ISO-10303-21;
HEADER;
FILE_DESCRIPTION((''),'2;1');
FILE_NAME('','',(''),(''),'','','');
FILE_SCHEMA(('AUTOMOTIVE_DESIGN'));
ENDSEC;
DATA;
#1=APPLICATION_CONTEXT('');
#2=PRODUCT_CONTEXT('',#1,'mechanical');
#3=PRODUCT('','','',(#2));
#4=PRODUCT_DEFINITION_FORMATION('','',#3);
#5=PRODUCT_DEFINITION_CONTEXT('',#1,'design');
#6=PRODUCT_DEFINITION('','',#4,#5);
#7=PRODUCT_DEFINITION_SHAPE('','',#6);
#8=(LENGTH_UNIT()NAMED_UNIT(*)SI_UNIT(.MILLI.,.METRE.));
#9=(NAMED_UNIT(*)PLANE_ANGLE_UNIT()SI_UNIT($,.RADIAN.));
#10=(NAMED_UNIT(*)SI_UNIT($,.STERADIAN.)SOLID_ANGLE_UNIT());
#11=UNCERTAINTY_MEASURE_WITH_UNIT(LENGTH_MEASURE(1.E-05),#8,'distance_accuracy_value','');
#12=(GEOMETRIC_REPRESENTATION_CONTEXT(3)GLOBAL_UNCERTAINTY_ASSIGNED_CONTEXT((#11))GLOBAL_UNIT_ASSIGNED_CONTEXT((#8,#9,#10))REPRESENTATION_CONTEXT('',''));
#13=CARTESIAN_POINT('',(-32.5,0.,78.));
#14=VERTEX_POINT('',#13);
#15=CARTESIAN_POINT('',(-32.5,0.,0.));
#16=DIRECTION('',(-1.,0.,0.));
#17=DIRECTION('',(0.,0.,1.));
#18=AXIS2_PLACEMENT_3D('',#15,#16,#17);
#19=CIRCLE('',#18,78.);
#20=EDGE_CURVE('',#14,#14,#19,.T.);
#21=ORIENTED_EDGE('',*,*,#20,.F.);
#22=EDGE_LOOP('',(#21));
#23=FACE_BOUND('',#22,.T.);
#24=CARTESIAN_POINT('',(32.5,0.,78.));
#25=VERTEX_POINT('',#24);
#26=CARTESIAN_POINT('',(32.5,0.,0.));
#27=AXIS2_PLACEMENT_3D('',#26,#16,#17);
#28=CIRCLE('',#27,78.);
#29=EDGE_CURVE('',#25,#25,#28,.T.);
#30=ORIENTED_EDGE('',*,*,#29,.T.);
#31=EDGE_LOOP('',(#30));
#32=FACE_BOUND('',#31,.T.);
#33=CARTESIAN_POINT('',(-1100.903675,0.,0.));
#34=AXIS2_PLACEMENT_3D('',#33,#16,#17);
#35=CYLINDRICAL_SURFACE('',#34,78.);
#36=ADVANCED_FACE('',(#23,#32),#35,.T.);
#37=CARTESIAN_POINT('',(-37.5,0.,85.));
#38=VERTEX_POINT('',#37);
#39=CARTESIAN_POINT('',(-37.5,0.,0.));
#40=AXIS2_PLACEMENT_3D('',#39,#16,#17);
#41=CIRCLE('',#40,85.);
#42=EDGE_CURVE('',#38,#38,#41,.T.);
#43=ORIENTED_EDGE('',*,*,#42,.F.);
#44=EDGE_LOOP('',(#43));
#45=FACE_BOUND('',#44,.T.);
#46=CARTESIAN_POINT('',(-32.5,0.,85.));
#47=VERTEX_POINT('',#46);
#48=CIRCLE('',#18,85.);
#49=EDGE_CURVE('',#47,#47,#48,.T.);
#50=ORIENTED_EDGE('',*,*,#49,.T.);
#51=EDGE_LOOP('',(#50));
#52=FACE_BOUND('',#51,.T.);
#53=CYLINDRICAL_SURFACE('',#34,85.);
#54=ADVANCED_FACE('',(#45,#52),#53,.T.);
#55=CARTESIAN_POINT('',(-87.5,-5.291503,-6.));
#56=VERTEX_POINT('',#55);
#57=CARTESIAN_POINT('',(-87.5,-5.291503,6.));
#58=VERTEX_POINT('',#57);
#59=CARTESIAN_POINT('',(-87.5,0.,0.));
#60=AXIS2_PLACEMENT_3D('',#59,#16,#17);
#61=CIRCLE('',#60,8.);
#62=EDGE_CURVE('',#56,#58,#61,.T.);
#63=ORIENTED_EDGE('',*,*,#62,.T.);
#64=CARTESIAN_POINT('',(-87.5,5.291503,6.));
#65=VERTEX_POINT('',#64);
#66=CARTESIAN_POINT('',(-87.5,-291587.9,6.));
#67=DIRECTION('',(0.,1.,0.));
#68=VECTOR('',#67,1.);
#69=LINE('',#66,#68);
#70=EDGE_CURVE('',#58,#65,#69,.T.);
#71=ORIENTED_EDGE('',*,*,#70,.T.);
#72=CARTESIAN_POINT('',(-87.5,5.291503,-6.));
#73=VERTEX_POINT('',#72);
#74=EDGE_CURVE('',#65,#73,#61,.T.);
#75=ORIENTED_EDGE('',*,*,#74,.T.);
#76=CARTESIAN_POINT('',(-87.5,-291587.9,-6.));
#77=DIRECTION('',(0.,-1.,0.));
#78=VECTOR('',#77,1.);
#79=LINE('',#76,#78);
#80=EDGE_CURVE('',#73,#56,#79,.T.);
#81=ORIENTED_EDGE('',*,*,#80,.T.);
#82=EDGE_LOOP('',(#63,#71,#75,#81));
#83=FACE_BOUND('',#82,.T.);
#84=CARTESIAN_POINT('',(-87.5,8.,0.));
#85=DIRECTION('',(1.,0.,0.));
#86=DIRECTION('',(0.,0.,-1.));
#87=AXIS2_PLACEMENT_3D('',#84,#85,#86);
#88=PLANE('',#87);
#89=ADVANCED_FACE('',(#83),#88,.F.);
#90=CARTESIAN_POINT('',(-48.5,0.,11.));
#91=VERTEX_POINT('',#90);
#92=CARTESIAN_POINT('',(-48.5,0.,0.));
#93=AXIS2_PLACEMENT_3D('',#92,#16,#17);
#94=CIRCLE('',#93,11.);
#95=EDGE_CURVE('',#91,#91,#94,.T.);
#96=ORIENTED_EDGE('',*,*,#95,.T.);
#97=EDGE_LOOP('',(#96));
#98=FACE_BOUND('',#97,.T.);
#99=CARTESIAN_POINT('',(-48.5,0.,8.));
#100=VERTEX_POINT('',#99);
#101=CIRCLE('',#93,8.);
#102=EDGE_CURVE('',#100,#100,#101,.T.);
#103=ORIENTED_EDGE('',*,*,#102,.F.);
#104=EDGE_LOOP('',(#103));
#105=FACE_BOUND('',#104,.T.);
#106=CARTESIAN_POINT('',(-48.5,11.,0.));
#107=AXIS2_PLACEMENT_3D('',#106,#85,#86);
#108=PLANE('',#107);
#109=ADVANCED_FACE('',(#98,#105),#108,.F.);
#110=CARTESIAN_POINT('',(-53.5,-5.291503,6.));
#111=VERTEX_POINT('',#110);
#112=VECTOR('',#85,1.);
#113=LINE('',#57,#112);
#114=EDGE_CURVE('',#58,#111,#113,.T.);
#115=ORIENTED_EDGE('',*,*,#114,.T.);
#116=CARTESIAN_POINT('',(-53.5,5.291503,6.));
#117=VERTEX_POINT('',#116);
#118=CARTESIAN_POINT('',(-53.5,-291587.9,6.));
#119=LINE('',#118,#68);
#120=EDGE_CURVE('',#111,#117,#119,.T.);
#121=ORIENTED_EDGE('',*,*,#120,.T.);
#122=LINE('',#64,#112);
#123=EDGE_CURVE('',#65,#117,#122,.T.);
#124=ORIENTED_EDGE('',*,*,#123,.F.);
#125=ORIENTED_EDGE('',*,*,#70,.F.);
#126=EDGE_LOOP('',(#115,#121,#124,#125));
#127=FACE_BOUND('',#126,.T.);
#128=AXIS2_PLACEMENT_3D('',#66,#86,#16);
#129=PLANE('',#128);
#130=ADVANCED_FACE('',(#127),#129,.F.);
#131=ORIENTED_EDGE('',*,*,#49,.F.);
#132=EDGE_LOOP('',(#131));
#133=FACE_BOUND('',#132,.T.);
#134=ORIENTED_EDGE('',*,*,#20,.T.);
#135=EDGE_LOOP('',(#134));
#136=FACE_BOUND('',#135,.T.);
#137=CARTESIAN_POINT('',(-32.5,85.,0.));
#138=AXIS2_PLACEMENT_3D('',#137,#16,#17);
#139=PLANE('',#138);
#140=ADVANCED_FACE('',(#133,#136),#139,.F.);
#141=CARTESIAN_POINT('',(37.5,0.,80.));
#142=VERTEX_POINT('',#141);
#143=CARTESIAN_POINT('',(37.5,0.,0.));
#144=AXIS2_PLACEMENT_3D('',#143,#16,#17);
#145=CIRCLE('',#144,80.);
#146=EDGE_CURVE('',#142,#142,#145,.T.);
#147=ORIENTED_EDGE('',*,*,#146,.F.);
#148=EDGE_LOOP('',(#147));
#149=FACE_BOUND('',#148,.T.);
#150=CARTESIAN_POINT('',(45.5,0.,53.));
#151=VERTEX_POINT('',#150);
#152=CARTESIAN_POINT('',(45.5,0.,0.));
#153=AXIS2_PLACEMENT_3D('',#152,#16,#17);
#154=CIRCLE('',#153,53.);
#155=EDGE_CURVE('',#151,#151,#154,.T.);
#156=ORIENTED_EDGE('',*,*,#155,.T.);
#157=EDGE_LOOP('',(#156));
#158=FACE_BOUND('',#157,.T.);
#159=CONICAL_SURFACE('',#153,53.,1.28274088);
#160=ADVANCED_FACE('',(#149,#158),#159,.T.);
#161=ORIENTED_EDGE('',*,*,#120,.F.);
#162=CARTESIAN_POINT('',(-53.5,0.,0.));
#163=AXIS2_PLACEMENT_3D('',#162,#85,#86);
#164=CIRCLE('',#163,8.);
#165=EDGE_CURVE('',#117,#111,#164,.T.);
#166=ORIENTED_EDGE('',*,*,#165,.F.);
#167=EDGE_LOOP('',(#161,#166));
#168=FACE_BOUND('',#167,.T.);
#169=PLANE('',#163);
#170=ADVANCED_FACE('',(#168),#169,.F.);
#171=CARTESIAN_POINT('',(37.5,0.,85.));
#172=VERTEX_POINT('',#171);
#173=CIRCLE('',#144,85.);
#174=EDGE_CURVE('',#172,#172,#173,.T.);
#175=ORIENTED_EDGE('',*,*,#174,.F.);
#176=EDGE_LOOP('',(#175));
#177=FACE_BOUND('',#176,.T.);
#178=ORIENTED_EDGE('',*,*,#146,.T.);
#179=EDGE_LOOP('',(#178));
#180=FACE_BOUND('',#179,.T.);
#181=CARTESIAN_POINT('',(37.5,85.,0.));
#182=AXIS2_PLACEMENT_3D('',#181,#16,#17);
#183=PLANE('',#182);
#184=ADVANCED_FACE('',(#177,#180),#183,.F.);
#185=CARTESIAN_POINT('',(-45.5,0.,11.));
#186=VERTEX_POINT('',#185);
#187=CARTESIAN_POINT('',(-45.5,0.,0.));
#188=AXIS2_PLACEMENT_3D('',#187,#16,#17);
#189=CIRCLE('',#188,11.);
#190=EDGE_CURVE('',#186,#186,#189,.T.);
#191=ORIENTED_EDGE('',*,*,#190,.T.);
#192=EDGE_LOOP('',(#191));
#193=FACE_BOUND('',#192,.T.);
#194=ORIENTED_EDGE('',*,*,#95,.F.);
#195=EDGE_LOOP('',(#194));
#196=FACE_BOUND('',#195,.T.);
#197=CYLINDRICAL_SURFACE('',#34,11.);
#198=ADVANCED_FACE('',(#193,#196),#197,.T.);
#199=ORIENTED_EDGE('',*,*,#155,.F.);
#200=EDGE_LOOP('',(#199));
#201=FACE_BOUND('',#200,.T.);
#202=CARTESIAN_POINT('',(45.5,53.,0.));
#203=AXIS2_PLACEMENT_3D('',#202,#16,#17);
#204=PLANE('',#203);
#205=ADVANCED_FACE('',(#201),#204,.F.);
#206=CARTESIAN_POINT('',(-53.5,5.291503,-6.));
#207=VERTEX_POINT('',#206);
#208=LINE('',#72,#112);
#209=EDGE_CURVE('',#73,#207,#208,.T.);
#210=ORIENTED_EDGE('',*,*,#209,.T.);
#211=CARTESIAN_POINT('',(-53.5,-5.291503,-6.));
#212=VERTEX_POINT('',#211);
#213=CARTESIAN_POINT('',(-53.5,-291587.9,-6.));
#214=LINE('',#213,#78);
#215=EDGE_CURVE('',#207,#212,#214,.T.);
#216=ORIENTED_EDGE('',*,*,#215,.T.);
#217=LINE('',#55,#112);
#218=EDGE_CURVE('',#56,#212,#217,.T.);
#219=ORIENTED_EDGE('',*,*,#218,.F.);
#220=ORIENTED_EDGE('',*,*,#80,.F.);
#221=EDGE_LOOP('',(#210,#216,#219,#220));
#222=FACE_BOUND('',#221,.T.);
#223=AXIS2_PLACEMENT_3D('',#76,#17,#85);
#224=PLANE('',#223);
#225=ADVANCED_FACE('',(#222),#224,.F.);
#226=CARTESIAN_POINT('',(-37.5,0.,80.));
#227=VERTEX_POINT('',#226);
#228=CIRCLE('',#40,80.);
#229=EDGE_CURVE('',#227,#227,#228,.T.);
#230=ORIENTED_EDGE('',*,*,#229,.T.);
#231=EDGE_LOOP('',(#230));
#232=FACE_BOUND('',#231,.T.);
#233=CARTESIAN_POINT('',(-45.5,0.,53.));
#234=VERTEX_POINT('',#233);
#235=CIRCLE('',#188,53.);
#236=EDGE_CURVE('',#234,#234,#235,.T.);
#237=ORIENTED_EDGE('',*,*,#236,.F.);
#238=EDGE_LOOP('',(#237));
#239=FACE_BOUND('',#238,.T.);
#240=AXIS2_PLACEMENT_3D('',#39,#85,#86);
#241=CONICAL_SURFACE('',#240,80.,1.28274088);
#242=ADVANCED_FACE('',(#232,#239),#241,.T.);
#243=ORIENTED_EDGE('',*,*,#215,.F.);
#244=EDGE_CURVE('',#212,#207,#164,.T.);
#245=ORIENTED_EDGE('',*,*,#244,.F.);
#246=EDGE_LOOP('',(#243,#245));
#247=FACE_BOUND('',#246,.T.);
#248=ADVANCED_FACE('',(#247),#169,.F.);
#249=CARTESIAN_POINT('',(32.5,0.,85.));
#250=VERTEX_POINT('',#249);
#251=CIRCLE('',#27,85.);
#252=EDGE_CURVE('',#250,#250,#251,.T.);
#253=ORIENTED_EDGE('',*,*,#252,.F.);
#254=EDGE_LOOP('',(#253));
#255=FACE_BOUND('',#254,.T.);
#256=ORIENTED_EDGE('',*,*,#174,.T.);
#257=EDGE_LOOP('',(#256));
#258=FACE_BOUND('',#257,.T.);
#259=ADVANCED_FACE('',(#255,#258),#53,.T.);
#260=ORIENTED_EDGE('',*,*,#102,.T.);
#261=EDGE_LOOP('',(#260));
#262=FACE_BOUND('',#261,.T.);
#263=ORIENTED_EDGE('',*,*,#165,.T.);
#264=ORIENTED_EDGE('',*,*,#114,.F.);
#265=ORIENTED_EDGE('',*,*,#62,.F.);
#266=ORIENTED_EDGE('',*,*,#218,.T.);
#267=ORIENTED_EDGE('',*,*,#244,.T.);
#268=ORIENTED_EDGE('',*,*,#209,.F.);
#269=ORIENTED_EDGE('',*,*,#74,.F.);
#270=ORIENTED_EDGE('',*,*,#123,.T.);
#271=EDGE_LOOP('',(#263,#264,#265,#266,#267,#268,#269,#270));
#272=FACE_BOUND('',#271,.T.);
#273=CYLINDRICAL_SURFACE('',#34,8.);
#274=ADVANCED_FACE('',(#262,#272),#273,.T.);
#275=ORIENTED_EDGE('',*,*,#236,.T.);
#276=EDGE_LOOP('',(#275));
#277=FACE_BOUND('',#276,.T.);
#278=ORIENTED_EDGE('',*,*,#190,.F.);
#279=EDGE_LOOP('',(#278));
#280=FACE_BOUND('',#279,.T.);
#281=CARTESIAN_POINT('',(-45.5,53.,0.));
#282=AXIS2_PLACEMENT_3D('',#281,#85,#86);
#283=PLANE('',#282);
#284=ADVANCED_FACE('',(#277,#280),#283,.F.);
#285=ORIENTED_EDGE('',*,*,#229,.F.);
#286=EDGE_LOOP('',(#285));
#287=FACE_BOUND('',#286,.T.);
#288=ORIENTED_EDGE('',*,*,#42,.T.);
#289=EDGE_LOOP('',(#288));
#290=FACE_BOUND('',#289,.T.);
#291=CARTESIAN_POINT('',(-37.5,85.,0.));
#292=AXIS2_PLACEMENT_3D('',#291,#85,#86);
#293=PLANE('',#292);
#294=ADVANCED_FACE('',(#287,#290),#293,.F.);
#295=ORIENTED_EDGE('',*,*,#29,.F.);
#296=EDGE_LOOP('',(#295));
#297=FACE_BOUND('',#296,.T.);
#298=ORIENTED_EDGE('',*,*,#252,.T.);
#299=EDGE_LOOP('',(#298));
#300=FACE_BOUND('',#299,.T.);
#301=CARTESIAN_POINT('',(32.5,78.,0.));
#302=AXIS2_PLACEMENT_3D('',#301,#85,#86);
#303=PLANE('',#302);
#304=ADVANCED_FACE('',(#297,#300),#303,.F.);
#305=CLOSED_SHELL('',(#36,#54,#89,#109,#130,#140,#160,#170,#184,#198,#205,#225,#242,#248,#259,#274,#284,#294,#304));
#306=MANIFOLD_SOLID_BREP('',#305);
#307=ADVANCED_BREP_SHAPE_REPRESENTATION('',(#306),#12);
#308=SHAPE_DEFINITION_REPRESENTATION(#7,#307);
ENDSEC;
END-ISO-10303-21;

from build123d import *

# Parameters (mm, degrees)
CUT_EXTRUDE_START    = -53.5
SKETCH_2_OUTSIDE_W   = 231.472
SKETCH_2_OUTSIDE_H   = 231.472
CUT_EXTRUDE_1_DEPTH  = 35
CUT_EXTRUDE_START_2  = 53.5
SKETCH_2_2_OUTSIDE_W = 231.472
SKETCH_2_2_OUTSIDE_H = 231.472
CUT_EXTRUDE_2_DEPTH  = 35
SKETCH_3_R           = 53
CUT_EXTRUDE_3_DEPTH  = 42


with BuildPart() as part:
    # Эскиз1 → Повернуть1 (revolve)
    with BuildSketch(Plane.XY):
        Polygon((32.5, 85), (37.5, 85), (37.5, 80), (45.5, 53), (45.5, 11), (48.5, 11), (48.5, 8), (87.5, 8), (87.5, 0), (-87.5, 0), (-87.5, 8), (-48.5, 8), (-48.5, 11), (-45.5, 11), (-45.5, 53), (-37.5, 80), (-37.5, 85), (-32.5, 85), (-32.5, 78), (32.5, 78), align=None)
    revolve(axis=Axis((-1100.903674864, 0, 0), (1, 0, 0)))

    # Эскиз2 outside → Вырез-Вытянуть1 (cut, through all)
    with BuildSketch(Plane(origin=(0, 0, 0), x_dir=(0, 0, -1), z_dir=(1, 0, 0)).offset(CUT_EXTRUDE_START)):
        Rectangle(SKETCH_2_OUTSIDE_W, SKETCH_2_OUTSIDE_H)
        with BuildLine():
            Line((-6, 5.291502622), (-6, -5.291502622))
            ThreePointArc((-6, -5.291502622), (0, -8), (6, -5.291502622))
            Line((6, -5.291502622), (6, 5.291502622))
            ThreePointArc((6, 5.291502622), (0, 8), (-6, 5.291502622))
        make_face(mode=Mode.SUBTRACT)
    extrude(amount=-CUT_EXTRUDE_1_DEPTH, mode=Mode.SUBTRACT)

    # Эскиз2<2> outside → Вырез-Вытянуть2 (cut, through all)
    with BuildSketch(Plane(origin=(0, 0, 0), x_dir=(0, 0, -1), z_dir=(1, 0, 0)).offset(CUT_EXTRUDE_START_2)):
        Rectangle(SKETCH_2_2_OUTSIDE_W, SKETCH_2_2_OUTSIDE_H)
        with BuildLine():
            Line((-6, 5.291502622), (-6, -5.291502622))
            ThreePointArc((-6, -5.291502622), (0, -8), (6, -5.291502622))
            Line((6, -5.291502622), (6, 5.291502622))
            ThreePointArc((6, 5.291502622), (0, 8), (-6, 5.291502622))
        make_face(mode=Mode.SUBTRACT)
    extrude(amount=CUT_EXTRUDE_2_DEPTH, mode=Mode.SUBTRACT)

    # Эскиз3 → Вырез-Вытянуть3 (cut)
    with BuildSketch(Plane(origin=(87.5, 0, 0), x_dir=(0, 0, -1), z_dir=(1, 0, 0))):
        Circle(SKETCH_3_R)
    extrude(amount=-CUT_EXTRUDE_3_DEPTH, mode=Mode.SUBTRACT)


solid = part.part
